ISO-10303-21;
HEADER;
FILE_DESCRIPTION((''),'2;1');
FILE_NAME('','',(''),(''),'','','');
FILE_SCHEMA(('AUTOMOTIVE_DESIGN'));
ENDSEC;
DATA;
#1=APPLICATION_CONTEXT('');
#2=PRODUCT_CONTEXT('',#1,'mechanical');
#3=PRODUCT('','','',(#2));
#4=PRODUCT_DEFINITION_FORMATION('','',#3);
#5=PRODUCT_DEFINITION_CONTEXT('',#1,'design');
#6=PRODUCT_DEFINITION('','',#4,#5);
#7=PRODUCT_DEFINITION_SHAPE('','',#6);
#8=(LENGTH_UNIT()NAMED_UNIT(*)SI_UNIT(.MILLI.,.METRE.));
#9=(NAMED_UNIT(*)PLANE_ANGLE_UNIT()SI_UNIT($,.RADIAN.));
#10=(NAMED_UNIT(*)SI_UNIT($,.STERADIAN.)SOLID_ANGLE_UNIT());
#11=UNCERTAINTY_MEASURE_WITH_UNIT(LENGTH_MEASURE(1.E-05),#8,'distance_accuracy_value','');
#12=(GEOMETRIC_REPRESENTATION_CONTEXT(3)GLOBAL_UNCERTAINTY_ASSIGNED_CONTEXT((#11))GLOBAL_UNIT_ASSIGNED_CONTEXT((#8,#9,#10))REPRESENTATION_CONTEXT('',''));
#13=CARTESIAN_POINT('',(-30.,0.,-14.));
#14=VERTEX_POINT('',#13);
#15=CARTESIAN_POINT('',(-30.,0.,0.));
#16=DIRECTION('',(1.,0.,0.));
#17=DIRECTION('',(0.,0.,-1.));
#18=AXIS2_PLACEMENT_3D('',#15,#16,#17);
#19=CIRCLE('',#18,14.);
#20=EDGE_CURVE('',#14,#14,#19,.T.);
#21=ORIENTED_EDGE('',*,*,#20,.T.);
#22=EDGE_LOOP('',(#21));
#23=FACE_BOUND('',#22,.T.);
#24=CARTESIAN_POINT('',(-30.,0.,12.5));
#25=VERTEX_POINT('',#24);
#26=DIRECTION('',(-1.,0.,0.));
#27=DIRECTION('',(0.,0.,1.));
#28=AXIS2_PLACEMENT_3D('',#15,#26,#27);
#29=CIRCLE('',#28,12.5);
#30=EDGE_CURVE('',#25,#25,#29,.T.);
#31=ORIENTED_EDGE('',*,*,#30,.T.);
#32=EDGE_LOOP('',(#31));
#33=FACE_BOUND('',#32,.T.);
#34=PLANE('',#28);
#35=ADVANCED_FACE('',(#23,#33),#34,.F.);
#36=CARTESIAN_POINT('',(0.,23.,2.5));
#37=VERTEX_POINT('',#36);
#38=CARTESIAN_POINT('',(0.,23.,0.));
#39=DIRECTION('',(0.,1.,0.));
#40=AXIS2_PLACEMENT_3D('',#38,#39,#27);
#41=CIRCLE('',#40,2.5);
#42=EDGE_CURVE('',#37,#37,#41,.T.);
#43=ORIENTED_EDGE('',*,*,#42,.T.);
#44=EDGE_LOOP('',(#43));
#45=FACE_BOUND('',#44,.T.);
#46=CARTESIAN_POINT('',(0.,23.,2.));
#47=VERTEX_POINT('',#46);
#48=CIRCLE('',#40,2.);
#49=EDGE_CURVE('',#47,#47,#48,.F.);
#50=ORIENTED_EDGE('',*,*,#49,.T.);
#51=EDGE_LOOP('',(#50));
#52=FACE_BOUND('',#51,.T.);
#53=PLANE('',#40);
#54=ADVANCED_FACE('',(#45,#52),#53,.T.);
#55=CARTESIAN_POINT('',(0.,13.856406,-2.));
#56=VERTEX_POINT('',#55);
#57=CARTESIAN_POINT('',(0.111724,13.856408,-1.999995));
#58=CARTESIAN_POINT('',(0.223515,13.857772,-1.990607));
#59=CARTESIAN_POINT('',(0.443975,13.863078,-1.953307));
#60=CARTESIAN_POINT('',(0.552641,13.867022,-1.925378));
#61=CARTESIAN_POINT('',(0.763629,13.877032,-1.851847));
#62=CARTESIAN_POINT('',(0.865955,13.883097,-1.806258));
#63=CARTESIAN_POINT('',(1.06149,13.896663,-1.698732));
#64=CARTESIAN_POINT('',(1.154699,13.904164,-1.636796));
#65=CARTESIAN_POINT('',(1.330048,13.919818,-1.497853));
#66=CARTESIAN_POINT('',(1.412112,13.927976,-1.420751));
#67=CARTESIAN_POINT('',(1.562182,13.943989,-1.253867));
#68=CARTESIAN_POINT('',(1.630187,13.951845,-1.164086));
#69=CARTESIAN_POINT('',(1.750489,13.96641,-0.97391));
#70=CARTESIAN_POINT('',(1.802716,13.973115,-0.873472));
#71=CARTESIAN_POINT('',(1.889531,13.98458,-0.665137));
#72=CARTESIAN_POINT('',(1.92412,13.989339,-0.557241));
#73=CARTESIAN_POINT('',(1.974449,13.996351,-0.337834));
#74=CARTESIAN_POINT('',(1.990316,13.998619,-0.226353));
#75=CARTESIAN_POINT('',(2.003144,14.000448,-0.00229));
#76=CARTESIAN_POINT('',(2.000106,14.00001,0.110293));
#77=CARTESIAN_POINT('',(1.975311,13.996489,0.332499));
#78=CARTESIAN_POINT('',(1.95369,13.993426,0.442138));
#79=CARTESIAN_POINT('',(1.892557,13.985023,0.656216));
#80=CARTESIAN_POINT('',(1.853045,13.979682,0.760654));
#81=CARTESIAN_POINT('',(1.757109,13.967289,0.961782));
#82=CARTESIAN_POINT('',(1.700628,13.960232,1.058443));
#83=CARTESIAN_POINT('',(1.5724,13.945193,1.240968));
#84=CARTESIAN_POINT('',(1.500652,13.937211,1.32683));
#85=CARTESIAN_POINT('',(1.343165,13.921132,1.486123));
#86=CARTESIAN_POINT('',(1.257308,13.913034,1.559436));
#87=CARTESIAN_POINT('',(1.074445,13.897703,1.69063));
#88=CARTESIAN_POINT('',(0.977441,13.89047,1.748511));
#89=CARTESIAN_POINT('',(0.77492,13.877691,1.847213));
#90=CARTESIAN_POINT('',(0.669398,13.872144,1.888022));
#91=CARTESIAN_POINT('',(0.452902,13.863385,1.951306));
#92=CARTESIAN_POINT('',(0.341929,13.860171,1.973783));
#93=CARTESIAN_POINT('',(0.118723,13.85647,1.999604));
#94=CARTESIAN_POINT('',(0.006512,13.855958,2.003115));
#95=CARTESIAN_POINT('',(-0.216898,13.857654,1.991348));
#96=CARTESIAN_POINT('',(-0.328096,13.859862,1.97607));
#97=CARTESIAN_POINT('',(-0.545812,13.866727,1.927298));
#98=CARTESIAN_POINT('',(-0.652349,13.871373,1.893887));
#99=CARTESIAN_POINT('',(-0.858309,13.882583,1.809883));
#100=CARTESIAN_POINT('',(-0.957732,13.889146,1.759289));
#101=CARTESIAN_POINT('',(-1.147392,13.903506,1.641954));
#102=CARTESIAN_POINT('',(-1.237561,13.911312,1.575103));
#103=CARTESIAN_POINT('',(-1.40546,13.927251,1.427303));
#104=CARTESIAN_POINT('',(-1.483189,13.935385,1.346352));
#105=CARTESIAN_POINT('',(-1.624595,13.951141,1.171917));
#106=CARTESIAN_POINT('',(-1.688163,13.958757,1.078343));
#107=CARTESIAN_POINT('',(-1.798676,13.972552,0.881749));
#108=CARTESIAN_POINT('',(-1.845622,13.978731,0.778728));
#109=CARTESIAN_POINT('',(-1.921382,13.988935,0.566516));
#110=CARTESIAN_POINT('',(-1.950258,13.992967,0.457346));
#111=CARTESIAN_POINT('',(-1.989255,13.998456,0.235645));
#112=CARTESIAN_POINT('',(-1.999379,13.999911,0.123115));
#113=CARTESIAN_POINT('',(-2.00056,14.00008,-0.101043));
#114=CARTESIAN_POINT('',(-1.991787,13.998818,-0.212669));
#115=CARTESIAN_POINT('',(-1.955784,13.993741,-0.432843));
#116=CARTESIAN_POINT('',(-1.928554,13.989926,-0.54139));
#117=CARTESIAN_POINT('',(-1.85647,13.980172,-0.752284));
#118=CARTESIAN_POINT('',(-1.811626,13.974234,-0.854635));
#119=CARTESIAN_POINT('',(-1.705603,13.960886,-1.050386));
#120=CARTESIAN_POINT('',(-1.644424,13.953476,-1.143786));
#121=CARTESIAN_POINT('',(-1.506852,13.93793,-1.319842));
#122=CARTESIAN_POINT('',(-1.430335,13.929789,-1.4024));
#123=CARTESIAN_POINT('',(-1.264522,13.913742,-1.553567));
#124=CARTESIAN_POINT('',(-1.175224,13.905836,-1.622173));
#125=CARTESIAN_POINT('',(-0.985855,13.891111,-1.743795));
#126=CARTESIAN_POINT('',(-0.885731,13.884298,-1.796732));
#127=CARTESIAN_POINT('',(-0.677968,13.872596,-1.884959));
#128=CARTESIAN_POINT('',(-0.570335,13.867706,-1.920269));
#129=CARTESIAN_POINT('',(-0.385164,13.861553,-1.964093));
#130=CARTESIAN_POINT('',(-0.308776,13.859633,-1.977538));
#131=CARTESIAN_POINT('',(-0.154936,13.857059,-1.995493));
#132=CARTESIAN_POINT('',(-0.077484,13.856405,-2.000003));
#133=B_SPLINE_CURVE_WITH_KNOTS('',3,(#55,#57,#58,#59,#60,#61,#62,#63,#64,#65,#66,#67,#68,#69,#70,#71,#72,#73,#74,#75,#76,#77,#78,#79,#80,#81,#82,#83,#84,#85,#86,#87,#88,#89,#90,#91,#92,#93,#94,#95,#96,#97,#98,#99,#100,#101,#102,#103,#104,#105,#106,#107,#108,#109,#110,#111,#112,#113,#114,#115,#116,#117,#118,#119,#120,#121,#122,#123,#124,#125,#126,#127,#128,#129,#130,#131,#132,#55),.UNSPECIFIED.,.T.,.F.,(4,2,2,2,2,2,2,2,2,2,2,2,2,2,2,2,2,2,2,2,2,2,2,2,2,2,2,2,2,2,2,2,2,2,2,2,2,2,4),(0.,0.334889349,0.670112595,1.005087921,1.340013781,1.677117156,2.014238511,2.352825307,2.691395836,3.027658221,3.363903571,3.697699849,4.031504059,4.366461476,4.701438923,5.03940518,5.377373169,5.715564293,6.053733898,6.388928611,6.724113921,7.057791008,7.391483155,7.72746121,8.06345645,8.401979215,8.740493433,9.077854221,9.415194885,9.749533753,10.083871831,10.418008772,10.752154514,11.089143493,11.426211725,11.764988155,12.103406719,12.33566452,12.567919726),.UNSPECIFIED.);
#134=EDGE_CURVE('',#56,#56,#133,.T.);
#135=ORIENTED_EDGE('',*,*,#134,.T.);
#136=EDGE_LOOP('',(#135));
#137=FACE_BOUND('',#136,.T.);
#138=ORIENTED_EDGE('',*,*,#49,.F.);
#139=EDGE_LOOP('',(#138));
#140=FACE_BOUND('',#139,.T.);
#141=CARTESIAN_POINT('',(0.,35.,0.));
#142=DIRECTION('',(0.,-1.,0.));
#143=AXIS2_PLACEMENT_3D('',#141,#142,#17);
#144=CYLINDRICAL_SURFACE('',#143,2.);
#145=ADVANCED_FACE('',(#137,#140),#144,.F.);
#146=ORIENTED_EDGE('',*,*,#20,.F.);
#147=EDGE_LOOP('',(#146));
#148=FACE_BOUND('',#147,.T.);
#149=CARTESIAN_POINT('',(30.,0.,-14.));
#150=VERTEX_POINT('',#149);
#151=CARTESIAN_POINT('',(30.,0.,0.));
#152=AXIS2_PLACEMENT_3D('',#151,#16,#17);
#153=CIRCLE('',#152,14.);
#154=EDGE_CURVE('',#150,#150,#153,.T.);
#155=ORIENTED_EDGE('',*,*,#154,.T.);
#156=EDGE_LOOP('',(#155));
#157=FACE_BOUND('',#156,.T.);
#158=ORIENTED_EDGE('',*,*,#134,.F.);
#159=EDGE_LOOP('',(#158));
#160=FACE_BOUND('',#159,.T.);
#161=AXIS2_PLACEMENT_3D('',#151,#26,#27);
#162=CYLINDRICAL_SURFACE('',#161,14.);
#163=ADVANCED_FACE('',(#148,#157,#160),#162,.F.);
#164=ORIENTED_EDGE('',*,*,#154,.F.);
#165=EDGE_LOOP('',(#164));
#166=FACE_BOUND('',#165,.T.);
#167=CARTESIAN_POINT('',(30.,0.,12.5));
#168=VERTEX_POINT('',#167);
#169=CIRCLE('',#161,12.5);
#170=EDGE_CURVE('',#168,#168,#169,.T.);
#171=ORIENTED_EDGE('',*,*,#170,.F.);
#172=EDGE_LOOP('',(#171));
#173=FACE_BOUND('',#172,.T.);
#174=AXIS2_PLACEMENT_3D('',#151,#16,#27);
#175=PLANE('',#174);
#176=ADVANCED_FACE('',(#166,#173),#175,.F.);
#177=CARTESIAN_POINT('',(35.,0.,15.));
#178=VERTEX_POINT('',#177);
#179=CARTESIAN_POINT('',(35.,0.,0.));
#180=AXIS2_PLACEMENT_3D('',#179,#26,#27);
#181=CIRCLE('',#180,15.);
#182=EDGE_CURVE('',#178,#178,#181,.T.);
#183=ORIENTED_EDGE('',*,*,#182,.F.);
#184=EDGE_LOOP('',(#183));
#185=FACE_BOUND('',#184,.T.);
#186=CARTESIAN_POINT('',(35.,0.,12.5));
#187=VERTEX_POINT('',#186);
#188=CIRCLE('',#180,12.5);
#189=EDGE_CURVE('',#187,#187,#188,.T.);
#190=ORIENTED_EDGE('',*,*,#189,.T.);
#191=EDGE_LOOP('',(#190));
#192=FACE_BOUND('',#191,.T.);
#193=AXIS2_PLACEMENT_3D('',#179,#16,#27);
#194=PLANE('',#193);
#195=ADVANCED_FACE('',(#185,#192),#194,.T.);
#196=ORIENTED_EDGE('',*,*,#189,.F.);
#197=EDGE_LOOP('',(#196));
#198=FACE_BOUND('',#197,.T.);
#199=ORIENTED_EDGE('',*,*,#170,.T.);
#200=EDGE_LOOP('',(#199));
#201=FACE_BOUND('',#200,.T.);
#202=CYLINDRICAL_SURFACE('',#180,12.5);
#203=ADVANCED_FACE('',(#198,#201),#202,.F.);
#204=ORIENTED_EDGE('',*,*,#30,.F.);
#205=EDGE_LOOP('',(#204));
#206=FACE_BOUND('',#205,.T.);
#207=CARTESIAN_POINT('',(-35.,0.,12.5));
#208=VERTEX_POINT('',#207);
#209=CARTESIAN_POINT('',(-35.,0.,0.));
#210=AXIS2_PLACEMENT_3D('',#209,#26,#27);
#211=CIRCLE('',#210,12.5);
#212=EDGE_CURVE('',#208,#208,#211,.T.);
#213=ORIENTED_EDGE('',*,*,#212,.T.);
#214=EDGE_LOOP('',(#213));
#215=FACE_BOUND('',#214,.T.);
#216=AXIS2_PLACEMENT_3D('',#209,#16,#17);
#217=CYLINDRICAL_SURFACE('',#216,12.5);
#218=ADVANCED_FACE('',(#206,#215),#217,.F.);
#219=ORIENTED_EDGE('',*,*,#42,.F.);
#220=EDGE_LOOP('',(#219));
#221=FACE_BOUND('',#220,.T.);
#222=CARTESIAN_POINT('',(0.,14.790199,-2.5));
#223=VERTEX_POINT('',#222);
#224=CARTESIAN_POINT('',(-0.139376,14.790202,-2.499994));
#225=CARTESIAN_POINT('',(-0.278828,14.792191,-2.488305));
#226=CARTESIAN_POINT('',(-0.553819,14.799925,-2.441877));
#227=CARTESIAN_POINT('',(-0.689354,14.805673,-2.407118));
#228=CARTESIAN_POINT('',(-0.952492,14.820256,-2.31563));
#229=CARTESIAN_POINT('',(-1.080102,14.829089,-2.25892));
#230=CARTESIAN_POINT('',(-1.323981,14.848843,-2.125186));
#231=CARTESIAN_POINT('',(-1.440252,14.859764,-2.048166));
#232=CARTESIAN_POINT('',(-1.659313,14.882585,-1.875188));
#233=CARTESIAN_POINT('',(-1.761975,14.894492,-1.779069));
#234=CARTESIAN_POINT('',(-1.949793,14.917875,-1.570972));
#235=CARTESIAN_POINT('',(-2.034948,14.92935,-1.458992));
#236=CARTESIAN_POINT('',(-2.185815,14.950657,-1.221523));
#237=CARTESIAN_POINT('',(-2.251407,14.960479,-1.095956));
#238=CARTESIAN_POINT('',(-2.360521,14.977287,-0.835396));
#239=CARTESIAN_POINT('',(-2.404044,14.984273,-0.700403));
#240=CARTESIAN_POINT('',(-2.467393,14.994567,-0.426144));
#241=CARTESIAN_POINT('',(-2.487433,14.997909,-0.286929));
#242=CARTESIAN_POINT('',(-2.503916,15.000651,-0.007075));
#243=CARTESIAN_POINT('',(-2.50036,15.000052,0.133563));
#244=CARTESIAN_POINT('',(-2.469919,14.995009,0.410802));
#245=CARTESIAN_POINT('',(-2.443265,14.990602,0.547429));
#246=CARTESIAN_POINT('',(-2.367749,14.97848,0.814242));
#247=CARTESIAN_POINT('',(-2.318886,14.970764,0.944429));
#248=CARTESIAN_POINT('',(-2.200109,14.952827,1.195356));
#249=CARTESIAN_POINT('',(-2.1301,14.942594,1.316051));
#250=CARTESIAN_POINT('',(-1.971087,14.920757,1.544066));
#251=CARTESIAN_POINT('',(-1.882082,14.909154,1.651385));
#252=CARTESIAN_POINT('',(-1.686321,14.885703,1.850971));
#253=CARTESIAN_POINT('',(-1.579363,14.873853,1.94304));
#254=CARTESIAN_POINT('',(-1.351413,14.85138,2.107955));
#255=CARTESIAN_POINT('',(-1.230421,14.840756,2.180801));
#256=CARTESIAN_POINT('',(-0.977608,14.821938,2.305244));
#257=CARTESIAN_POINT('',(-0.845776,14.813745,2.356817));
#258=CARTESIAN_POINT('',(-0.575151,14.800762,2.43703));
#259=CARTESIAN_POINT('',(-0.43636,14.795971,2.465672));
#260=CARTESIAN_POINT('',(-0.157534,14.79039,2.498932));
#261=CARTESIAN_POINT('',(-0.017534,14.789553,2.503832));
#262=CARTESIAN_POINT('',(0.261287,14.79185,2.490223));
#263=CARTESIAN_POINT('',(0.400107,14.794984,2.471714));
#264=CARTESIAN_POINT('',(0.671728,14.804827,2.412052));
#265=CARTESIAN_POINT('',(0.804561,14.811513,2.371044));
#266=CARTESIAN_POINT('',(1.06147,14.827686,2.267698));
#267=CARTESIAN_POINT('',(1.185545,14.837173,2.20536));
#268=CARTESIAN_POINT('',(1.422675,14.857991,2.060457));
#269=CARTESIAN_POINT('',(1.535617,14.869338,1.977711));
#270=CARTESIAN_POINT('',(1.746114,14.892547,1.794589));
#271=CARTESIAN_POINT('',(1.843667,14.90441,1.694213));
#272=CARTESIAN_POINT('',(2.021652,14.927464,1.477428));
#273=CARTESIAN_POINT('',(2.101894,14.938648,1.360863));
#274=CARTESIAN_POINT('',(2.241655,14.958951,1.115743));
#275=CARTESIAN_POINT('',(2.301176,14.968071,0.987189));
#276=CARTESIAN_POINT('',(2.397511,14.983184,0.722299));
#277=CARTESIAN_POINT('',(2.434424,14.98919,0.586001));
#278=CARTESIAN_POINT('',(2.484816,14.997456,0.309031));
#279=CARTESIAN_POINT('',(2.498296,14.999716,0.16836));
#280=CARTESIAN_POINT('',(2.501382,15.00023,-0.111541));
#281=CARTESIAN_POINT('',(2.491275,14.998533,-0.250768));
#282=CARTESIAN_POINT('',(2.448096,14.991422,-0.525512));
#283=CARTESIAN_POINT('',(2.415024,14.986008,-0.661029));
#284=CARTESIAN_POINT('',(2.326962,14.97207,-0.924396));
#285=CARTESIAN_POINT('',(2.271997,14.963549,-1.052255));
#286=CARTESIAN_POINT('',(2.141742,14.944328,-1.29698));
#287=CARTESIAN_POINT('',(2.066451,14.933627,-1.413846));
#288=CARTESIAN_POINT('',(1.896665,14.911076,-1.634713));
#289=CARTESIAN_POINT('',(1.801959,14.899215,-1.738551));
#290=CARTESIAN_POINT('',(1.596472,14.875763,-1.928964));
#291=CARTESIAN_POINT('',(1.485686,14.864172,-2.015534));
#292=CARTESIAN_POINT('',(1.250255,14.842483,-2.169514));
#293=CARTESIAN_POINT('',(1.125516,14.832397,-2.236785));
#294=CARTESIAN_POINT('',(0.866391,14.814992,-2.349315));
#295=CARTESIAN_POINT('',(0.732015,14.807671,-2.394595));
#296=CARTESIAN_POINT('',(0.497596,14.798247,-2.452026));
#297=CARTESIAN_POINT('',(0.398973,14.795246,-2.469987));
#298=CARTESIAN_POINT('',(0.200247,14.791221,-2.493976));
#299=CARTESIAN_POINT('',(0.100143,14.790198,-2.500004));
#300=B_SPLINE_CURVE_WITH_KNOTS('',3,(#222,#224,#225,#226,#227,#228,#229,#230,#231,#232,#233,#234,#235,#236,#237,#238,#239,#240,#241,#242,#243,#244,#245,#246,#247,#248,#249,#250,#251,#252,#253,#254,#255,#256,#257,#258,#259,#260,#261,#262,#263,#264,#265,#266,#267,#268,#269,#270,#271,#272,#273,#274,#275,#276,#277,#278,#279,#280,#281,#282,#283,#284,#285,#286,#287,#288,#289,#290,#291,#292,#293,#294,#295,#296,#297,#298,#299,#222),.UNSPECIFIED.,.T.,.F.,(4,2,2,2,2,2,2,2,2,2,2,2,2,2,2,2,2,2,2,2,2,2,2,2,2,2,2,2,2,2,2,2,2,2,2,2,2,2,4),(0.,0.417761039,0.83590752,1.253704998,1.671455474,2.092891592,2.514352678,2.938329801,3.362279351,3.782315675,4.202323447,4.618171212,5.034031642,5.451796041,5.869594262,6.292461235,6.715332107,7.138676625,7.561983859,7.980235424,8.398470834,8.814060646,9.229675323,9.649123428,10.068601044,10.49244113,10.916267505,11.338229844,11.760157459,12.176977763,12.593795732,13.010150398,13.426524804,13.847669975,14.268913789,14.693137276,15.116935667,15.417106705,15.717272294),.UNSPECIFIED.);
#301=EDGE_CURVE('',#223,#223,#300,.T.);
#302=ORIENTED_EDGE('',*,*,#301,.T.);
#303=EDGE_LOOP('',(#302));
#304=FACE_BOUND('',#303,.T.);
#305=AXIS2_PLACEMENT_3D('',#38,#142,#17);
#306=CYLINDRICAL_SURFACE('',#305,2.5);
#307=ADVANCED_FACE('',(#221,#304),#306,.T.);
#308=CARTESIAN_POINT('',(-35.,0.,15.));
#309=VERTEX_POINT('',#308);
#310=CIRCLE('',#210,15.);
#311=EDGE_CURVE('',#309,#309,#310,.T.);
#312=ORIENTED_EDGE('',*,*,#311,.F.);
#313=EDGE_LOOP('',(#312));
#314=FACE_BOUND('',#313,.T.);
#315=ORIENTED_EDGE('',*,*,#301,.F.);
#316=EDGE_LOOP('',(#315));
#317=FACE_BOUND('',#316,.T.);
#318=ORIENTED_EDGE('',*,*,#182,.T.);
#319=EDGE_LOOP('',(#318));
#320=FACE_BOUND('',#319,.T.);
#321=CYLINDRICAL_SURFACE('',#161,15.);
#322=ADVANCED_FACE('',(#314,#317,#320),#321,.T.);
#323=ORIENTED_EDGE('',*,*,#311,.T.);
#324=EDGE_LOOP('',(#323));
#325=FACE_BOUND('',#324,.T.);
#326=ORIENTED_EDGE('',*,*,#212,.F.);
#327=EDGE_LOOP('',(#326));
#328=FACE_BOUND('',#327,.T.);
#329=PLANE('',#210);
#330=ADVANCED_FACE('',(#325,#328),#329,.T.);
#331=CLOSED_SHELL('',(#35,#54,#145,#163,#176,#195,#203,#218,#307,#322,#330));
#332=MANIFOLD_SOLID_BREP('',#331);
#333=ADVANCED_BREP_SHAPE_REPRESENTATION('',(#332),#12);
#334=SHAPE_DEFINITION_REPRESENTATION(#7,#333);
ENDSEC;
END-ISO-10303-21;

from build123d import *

# Parameters (mm, degrees)
SKETCH1_R           = 15
SKETCH1_R_2         = 14
BOSS_EXTRUDE1_DEPTH = 30
SKETCH2_R           = 15
SKETCH2_R_2         = 12.5
BOSS_EXTRUDE2_DEPTH = 5
SKETCH4_R           = 2.5
BOSS_EXTRUDE3_DEPTH = 23
SKETCH3_R           = 2
CUT_EXTRUDE1_DEPTH  = 35
SKETCH5_R           = 14
CUT_EXTRUDE2_DEPTH  = 53


with BuildPart() as part:
    # Sketch1 → Boss-Extrude1 (new, symmetric)
    with BuildSketch(Plane(origin=(0, 0, 0), x_dir=(0, 0, -1), z_dir=(1, 0, 0))):
        with Locations(Location((0, 0, 0), (0, 0, 180))):
            Circle(SKETCH1_R)
        with Locations(Location((0, 0, 0), (0, 0, 180))):
            Circle(SKETCH1_R_2, mode=Mode.SUBTRACT)
    extrude(amount=BOSS_EXTRUDE1_DEPTH, both=True)

    # Sketch2 → Boss-Extrude2 (add)
    with BuildSketch(Plane.ZY.offset(30)):
        Circle(SKETCH2_R)
        Circle(SKETCH2_R_2, mode=Mode.SUBTRACT)
    boss_extrude2 = extrude(amount=BOSS_EXTRUDE2_DEPTH)

    # Mirror1: Boss-Extrude2 across plane
    add(boss_extrude2.mirror(Plane(origin=(0, 0, 0), x_dir=(0, 0, 1), z_dir=(1, 0, 0))))

    # Sketch4 → Boss-Extrude3 (add)
    with BuildSketch(Plane(origin=(0, 0, 0), x_dir=(1, 0, 0), z_dir=(0, 1, 0))):
        with Locations(Location((0, 0, 0), (0, 0, 90))):
            Circle(SKETCH4_R)
    extrude(amount=BOSS_EXTRUDE3_DEPTH)

    # Sketch3 → Cut-Extrude1 (cut)
    with BuildSketch(Plane(origin=(0, 0, 0), x_dir=(1, 0, 0), z_dir=(0, 1, 0))):
        with Locations(Location((0, 0, 0), (0, 0, 270))):
            Circle(SKETCH3_R)
    extrude(amount=CUT_EXTRUDE1_DEPTH, mode=Mode.SUBTRACT)

    # Sketch5 → Cut-Extrude2 (cut)
    with BuildSketch(Plane(origin=(-30, 0, 0), x_dir=(0, 0, -1), z_dir=(1, 0, 0))):
        Circle(SKETCH5_R)
    extrude(amount=CUT_EXTRUDE2_DEPTH, mode=Mode.SUBTRACT)


solid = part.part
